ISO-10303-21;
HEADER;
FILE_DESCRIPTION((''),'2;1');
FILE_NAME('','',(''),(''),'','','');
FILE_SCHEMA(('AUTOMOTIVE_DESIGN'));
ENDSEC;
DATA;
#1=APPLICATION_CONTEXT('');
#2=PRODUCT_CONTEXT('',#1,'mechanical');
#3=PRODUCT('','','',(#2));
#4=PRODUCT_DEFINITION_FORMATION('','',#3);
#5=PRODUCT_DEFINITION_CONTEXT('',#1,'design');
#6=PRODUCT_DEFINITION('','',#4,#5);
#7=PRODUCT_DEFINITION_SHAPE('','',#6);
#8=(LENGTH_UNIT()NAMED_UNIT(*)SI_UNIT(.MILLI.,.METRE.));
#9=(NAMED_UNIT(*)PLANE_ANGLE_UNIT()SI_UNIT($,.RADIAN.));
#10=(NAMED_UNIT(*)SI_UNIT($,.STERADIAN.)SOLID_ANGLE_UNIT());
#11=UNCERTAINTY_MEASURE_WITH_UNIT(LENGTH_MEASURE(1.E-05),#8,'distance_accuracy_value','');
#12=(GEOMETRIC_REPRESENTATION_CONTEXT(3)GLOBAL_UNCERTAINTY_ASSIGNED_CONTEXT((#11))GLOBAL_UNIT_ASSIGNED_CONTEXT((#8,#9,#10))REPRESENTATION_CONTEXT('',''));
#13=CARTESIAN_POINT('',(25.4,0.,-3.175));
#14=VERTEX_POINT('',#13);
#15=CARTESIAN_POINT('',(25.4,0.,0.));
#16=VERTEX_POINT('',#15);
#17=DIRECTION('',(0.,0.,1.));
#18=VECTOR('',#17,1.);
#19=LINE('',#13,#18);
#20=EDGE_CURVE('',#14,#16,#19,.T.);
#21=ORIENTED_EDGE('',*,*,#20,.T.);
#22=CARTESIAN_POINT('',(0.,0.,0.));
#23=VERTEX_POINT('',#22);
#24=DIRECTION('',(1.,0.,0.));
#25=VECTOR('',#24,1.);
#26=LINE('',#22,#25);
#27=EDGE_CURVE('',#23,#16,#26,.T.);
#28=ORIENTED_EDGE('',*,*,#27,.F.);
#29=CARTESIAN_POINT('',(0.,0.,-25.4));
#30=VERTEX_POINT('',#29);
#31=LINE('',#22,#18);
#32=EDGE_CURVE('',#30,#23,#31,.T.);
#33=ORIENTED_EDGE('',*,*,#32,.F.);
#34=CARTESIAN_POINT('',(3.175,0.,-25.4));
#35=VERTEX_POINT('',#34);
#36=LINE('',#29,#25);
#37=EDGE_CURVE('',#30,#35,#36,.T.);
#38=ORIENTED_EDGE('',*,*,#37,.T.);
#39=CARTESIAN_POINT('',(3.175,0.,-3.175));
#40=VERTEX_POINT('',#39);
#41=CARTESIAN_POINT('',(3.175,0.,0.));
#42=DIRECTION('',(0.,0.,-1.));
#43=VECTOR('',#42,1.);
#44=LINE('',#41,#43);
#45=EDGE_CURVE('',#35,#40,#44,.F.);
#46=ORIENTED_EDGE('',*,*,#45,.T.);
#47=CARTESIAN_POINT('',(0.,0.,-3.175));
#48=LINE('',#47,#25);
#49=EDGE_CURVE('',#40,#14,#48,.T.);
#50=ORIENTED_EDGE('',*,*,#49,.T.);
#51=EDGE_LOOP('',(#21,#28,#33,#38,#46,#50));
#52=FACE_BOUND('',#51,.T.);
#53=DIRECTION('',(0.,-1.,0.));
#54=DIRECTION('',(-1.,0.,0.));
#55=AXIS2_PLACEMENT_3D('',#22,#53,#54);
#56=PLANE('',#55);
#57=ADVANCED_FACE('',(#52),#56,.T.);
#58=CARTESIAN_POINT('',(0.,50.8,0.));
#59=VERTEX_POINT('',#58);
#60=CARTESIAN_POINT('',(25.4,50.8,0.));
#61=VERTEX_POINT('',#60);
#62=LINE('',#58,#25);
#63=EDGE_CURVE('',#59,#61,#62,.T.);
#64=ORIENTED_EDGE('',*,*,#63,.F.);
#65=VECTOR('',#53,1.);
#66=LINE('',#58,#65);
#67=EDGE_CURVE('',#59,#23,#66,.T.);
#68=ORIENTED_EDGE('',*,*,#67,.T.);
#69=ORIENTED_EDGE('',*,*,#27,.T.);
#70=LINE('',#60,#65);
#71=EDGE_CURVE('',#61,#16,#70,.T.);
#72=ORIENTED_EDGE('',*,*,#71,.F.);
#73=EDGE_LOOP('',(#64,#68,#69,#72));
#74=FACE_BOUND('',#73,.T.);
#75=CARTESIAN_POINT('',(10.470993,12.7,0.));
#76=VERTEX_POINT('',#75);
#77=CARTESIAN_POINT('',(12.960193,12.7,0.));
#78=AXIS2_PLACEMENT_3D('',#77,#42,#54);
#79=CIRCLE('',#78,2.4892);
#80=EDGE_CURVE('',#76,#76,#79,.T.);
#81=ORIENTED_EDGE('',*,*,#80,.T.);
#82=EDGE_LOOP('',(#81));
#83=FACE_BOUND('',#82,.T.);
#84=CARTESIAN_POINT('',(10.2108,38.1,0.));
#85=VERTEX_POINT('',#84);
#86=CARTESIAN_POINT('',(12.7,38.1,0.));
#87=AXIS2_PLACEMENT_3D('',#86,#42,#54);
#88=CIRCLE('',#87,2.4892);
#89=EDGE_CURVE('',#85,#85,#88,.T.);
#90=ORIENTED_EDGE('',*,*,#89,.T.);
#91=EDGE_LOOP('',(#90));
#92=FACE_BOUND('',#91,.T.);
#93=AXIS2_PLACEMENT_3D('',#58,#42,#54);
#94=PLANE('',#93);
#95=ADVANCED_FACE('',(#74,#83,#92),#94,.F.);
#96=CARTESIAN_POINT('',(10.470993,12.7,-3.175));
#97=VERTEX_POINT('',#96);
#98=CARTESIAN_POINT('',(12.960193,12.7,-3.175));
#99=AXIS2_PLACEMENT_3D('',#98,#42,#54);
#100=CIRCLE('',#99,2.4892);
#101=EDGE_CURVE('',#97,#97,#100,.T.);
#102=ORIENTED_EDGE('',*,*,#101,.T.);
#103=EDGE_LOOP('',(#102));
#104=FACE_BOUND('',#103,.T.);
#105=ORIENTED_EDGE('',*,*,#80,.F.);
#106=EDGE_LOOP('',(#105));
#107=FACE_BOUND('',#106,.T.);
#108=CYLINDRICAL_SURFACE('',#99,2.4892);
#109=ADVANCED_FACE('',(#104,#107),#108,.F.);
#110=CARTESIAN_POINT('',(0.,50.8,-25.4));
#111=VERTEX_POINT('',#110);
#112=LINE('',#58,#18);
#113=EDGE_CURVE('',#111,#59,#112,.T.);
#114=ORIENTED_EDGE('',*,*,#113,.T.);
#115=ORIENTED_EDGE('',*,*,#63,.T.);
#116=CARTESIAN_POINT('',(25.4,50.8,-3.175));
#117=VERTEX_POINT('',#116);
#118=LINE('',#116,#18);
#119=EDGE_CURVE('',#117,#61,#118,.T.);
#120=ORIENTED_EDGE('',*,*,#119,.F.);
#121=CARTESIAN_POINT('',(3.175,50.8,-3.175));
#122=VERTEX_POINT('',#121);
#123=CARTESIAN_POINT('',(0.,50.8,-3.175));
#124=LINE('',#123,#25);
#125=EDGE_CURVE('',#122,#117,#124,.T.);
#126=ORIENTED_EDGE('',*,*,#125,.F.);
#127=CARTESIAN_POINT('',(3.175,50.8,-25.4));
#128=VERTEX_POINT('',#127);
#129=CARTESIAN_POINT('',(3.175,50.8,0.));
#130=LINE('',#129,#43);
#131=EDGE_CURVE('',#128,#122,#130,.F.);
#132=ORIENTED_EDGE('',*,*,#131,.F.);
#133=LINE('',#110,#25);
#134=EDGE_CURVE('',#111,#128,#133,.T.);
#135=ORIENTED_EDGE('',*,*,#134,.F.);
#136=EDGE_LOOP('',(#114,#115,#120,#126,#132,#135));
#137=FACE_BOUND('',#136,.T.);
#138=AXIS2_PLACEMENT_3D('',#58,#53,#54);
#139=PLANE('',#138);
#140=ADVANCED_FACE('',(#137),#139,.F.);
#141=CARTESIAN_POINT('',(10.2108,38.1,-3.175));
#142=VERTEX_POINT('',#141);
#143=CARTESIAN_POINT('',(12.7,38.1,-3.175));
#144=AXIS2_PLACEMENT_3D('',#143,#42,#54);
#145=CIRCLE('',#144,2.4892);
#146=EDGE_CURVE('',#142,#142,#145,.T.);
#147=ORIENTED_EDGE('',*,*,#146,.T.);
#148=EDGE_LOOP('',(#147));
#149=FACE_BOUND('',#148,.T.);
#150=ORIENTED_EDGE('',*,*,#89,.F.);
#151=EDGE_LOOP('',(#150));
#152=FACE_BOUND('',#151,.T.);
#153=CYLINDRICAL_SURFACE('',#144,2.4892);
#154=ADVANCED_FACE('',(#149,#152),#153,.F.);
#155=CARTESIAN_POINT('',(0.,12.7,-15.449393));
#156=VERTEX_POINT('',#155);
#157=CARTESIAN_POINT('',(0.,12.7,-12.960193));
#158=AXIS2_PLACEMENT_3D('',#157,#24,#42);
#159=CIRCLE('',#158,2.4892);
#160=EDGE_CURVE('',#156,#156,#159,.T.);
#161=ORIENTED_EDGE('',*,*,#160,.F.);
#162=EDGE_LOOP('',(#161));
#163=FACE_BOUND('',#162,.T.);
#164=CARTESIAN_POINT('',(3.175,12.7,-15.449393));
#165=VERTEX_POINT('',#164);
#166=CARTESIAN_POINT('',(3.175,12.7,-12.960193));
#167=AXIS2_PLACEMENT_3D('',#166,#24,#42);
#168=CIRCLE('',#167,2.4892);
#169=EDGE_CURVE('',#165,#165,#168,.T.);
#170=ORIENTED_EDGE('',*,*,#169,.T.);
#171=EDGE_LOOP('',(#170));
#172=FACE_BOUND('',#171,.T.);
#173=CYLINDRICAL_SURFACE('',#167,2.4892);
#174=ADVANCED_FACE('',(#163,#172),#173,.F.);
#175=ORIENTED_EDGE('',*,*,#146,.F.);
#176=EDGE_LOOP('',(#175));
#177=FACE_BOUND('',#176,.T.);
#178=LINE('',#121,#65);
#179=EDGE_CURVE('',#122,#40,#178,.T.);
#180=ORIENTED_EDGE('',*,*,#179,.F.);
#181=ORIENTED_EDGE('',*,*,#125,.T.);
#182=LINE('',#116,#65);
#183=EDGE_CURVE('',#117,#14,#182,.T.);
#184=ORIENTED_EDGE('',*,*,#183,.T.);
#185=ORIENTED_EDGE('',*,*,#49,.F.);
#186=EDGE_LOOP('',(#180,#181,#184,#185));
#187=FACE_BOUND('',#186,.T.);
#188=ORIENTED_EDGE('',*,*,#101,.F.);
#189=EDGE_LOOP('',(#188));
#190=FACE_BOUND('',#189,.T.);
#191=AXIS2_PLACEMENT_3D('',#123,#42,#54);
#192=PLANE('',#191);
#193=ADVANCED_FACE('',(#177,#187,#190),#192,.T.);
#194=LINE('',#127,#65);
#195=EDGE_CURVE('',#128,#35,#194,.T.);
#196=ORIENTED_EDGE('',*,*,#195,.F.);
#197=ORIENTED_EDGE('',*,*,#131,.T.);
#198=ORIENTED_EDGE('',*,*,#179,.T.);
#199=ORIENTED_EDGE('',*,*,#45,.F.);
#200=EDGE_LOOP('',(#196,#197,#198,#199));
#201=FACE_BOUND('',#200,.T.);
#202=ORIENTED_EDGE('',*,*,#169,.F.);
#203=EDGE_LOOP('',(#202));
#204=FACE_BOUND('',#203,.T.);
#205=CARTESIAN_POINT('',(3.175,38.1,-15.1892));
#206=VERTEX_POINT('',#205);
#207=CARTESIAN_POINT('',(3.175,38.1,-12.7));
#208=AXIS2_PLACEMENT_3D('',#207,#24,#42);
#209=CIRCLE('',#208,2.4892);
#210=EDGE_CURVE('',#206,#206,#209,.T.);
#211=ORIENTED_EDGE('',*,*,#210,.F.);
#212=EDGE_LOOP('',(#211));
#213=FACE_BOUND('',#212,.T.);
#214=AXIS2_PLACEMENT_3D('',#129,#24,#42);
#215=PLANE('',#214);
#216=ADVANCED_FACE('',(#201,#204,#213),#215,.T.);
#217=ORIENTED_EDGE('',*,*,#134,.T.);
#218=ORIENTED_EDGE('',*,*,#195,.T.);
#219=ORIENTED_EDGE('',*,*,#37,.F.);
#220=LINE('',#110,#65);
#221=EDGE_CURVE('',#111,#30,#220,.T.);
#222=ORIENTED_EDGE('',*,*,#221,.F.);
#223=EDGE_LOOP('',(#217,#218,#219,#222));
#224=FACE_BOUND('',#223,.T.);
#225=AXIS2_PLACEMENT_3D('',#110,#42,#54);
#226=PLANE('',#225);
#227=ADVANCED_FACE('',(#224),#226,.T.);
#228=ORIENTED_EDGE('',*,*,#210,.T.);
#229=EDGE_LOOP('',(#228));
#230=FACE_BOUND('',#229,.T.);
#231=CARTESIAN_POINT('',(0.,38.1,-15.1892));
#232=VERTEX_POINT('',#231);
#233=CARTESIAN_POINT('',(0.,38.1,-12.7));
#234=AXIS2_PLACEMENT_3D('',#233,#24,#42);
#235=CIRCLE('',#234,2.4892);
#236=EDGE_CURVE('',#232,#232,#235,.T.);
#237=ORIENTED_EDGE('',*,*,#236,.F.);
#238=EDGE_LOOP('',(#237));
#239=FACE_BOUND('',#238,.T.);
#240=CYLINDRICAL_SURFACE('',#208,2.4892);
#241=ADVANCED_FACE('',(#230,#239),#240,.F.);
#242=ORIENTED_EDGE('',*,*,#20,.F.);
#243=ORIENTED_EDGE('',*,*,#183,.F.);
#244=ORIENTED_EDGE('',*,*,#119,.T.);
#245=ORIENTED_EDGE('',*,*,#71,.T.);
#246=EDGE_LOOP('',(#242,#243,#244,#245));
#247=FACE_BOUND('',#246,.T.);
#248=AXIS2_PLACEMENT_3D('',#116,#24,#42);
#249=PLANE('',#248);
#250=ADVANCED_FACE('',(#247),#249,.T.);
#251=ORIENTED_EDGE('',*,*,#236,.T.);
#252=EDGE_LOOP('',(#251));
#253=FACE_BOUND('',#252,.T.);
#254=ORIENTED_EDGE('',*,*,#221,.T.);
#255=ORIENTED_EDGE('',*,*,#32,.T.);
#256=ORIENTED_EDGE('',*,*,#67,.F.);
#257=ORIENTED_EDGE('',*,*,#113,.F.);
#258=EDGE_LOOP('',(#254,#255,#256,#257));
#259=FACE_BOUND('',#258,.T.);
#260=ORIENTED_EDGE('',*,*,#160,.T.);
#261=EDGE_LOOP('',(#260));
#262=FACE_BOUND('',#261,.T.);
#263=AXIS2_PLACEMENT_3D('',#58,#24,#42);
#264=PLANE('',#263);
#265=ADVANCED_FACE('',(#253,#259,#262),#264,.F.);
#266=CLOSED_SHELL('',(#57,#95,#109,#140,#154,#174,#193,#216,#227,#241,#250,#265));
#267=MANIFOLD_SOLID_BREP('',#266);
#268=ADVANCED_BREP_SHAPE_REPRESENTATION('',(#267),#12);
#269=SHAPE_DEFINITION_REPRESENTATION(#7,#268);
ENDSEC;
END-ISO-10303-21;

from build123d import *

# Parameters (mm, degrees)
EXTRUDE_THIN1_DEPTH            = 50.8
F_9_0_196_DIAMETER_HOLE1_D     = 4.9784
F_9_0_196_DIAMETER_HOLE1_DEPTH = 3.176


with BuildPart() as part:
    # Sketch1 → Extrude-Thin1 (new body)
    with BuildSketch(Plane(origin=(0, 0, 0), x_dir=(1, 0, 0), z_dir=(0, 1, 0))):
        Polygon((25.4, 0), (0, 0), (0, 25.4), (3.175, 25.4), (3.175, 3.175), (25.4, 3.175), align=None)
    extrude(amount=EXTRUDE_THIN1_DEPTH)

    # #9 (0.196) Diameter Hole1
    with Locations(Plane(origin=(0, 0, -3.175), x_dir=(-1, 0, 0), z_dir=(0, 0, -1))):
        with Locations((-12.960193373, 12.7), (-12.7, 38.1)):
            f_9_0_196_diameter_hole1 = Hole(F_9_0_196_DIAMETER_HOLE1_D / 2, depth=F_9_0_196_DIAMETER_HOLE1_DEPTH)

    # Mirror1: #9 (0.196) Diameter Hole1 across plane
    add(f_9_0_196_diameter_hole1.mirror(Plane(origin=(0, 0, 0), x_dir=(-0.707106781, 0, 0.707106781), z_dir=(-0.707106781, 0, -0.707106781))), mode=Mode.SUBTRACT)


solid = part.part
